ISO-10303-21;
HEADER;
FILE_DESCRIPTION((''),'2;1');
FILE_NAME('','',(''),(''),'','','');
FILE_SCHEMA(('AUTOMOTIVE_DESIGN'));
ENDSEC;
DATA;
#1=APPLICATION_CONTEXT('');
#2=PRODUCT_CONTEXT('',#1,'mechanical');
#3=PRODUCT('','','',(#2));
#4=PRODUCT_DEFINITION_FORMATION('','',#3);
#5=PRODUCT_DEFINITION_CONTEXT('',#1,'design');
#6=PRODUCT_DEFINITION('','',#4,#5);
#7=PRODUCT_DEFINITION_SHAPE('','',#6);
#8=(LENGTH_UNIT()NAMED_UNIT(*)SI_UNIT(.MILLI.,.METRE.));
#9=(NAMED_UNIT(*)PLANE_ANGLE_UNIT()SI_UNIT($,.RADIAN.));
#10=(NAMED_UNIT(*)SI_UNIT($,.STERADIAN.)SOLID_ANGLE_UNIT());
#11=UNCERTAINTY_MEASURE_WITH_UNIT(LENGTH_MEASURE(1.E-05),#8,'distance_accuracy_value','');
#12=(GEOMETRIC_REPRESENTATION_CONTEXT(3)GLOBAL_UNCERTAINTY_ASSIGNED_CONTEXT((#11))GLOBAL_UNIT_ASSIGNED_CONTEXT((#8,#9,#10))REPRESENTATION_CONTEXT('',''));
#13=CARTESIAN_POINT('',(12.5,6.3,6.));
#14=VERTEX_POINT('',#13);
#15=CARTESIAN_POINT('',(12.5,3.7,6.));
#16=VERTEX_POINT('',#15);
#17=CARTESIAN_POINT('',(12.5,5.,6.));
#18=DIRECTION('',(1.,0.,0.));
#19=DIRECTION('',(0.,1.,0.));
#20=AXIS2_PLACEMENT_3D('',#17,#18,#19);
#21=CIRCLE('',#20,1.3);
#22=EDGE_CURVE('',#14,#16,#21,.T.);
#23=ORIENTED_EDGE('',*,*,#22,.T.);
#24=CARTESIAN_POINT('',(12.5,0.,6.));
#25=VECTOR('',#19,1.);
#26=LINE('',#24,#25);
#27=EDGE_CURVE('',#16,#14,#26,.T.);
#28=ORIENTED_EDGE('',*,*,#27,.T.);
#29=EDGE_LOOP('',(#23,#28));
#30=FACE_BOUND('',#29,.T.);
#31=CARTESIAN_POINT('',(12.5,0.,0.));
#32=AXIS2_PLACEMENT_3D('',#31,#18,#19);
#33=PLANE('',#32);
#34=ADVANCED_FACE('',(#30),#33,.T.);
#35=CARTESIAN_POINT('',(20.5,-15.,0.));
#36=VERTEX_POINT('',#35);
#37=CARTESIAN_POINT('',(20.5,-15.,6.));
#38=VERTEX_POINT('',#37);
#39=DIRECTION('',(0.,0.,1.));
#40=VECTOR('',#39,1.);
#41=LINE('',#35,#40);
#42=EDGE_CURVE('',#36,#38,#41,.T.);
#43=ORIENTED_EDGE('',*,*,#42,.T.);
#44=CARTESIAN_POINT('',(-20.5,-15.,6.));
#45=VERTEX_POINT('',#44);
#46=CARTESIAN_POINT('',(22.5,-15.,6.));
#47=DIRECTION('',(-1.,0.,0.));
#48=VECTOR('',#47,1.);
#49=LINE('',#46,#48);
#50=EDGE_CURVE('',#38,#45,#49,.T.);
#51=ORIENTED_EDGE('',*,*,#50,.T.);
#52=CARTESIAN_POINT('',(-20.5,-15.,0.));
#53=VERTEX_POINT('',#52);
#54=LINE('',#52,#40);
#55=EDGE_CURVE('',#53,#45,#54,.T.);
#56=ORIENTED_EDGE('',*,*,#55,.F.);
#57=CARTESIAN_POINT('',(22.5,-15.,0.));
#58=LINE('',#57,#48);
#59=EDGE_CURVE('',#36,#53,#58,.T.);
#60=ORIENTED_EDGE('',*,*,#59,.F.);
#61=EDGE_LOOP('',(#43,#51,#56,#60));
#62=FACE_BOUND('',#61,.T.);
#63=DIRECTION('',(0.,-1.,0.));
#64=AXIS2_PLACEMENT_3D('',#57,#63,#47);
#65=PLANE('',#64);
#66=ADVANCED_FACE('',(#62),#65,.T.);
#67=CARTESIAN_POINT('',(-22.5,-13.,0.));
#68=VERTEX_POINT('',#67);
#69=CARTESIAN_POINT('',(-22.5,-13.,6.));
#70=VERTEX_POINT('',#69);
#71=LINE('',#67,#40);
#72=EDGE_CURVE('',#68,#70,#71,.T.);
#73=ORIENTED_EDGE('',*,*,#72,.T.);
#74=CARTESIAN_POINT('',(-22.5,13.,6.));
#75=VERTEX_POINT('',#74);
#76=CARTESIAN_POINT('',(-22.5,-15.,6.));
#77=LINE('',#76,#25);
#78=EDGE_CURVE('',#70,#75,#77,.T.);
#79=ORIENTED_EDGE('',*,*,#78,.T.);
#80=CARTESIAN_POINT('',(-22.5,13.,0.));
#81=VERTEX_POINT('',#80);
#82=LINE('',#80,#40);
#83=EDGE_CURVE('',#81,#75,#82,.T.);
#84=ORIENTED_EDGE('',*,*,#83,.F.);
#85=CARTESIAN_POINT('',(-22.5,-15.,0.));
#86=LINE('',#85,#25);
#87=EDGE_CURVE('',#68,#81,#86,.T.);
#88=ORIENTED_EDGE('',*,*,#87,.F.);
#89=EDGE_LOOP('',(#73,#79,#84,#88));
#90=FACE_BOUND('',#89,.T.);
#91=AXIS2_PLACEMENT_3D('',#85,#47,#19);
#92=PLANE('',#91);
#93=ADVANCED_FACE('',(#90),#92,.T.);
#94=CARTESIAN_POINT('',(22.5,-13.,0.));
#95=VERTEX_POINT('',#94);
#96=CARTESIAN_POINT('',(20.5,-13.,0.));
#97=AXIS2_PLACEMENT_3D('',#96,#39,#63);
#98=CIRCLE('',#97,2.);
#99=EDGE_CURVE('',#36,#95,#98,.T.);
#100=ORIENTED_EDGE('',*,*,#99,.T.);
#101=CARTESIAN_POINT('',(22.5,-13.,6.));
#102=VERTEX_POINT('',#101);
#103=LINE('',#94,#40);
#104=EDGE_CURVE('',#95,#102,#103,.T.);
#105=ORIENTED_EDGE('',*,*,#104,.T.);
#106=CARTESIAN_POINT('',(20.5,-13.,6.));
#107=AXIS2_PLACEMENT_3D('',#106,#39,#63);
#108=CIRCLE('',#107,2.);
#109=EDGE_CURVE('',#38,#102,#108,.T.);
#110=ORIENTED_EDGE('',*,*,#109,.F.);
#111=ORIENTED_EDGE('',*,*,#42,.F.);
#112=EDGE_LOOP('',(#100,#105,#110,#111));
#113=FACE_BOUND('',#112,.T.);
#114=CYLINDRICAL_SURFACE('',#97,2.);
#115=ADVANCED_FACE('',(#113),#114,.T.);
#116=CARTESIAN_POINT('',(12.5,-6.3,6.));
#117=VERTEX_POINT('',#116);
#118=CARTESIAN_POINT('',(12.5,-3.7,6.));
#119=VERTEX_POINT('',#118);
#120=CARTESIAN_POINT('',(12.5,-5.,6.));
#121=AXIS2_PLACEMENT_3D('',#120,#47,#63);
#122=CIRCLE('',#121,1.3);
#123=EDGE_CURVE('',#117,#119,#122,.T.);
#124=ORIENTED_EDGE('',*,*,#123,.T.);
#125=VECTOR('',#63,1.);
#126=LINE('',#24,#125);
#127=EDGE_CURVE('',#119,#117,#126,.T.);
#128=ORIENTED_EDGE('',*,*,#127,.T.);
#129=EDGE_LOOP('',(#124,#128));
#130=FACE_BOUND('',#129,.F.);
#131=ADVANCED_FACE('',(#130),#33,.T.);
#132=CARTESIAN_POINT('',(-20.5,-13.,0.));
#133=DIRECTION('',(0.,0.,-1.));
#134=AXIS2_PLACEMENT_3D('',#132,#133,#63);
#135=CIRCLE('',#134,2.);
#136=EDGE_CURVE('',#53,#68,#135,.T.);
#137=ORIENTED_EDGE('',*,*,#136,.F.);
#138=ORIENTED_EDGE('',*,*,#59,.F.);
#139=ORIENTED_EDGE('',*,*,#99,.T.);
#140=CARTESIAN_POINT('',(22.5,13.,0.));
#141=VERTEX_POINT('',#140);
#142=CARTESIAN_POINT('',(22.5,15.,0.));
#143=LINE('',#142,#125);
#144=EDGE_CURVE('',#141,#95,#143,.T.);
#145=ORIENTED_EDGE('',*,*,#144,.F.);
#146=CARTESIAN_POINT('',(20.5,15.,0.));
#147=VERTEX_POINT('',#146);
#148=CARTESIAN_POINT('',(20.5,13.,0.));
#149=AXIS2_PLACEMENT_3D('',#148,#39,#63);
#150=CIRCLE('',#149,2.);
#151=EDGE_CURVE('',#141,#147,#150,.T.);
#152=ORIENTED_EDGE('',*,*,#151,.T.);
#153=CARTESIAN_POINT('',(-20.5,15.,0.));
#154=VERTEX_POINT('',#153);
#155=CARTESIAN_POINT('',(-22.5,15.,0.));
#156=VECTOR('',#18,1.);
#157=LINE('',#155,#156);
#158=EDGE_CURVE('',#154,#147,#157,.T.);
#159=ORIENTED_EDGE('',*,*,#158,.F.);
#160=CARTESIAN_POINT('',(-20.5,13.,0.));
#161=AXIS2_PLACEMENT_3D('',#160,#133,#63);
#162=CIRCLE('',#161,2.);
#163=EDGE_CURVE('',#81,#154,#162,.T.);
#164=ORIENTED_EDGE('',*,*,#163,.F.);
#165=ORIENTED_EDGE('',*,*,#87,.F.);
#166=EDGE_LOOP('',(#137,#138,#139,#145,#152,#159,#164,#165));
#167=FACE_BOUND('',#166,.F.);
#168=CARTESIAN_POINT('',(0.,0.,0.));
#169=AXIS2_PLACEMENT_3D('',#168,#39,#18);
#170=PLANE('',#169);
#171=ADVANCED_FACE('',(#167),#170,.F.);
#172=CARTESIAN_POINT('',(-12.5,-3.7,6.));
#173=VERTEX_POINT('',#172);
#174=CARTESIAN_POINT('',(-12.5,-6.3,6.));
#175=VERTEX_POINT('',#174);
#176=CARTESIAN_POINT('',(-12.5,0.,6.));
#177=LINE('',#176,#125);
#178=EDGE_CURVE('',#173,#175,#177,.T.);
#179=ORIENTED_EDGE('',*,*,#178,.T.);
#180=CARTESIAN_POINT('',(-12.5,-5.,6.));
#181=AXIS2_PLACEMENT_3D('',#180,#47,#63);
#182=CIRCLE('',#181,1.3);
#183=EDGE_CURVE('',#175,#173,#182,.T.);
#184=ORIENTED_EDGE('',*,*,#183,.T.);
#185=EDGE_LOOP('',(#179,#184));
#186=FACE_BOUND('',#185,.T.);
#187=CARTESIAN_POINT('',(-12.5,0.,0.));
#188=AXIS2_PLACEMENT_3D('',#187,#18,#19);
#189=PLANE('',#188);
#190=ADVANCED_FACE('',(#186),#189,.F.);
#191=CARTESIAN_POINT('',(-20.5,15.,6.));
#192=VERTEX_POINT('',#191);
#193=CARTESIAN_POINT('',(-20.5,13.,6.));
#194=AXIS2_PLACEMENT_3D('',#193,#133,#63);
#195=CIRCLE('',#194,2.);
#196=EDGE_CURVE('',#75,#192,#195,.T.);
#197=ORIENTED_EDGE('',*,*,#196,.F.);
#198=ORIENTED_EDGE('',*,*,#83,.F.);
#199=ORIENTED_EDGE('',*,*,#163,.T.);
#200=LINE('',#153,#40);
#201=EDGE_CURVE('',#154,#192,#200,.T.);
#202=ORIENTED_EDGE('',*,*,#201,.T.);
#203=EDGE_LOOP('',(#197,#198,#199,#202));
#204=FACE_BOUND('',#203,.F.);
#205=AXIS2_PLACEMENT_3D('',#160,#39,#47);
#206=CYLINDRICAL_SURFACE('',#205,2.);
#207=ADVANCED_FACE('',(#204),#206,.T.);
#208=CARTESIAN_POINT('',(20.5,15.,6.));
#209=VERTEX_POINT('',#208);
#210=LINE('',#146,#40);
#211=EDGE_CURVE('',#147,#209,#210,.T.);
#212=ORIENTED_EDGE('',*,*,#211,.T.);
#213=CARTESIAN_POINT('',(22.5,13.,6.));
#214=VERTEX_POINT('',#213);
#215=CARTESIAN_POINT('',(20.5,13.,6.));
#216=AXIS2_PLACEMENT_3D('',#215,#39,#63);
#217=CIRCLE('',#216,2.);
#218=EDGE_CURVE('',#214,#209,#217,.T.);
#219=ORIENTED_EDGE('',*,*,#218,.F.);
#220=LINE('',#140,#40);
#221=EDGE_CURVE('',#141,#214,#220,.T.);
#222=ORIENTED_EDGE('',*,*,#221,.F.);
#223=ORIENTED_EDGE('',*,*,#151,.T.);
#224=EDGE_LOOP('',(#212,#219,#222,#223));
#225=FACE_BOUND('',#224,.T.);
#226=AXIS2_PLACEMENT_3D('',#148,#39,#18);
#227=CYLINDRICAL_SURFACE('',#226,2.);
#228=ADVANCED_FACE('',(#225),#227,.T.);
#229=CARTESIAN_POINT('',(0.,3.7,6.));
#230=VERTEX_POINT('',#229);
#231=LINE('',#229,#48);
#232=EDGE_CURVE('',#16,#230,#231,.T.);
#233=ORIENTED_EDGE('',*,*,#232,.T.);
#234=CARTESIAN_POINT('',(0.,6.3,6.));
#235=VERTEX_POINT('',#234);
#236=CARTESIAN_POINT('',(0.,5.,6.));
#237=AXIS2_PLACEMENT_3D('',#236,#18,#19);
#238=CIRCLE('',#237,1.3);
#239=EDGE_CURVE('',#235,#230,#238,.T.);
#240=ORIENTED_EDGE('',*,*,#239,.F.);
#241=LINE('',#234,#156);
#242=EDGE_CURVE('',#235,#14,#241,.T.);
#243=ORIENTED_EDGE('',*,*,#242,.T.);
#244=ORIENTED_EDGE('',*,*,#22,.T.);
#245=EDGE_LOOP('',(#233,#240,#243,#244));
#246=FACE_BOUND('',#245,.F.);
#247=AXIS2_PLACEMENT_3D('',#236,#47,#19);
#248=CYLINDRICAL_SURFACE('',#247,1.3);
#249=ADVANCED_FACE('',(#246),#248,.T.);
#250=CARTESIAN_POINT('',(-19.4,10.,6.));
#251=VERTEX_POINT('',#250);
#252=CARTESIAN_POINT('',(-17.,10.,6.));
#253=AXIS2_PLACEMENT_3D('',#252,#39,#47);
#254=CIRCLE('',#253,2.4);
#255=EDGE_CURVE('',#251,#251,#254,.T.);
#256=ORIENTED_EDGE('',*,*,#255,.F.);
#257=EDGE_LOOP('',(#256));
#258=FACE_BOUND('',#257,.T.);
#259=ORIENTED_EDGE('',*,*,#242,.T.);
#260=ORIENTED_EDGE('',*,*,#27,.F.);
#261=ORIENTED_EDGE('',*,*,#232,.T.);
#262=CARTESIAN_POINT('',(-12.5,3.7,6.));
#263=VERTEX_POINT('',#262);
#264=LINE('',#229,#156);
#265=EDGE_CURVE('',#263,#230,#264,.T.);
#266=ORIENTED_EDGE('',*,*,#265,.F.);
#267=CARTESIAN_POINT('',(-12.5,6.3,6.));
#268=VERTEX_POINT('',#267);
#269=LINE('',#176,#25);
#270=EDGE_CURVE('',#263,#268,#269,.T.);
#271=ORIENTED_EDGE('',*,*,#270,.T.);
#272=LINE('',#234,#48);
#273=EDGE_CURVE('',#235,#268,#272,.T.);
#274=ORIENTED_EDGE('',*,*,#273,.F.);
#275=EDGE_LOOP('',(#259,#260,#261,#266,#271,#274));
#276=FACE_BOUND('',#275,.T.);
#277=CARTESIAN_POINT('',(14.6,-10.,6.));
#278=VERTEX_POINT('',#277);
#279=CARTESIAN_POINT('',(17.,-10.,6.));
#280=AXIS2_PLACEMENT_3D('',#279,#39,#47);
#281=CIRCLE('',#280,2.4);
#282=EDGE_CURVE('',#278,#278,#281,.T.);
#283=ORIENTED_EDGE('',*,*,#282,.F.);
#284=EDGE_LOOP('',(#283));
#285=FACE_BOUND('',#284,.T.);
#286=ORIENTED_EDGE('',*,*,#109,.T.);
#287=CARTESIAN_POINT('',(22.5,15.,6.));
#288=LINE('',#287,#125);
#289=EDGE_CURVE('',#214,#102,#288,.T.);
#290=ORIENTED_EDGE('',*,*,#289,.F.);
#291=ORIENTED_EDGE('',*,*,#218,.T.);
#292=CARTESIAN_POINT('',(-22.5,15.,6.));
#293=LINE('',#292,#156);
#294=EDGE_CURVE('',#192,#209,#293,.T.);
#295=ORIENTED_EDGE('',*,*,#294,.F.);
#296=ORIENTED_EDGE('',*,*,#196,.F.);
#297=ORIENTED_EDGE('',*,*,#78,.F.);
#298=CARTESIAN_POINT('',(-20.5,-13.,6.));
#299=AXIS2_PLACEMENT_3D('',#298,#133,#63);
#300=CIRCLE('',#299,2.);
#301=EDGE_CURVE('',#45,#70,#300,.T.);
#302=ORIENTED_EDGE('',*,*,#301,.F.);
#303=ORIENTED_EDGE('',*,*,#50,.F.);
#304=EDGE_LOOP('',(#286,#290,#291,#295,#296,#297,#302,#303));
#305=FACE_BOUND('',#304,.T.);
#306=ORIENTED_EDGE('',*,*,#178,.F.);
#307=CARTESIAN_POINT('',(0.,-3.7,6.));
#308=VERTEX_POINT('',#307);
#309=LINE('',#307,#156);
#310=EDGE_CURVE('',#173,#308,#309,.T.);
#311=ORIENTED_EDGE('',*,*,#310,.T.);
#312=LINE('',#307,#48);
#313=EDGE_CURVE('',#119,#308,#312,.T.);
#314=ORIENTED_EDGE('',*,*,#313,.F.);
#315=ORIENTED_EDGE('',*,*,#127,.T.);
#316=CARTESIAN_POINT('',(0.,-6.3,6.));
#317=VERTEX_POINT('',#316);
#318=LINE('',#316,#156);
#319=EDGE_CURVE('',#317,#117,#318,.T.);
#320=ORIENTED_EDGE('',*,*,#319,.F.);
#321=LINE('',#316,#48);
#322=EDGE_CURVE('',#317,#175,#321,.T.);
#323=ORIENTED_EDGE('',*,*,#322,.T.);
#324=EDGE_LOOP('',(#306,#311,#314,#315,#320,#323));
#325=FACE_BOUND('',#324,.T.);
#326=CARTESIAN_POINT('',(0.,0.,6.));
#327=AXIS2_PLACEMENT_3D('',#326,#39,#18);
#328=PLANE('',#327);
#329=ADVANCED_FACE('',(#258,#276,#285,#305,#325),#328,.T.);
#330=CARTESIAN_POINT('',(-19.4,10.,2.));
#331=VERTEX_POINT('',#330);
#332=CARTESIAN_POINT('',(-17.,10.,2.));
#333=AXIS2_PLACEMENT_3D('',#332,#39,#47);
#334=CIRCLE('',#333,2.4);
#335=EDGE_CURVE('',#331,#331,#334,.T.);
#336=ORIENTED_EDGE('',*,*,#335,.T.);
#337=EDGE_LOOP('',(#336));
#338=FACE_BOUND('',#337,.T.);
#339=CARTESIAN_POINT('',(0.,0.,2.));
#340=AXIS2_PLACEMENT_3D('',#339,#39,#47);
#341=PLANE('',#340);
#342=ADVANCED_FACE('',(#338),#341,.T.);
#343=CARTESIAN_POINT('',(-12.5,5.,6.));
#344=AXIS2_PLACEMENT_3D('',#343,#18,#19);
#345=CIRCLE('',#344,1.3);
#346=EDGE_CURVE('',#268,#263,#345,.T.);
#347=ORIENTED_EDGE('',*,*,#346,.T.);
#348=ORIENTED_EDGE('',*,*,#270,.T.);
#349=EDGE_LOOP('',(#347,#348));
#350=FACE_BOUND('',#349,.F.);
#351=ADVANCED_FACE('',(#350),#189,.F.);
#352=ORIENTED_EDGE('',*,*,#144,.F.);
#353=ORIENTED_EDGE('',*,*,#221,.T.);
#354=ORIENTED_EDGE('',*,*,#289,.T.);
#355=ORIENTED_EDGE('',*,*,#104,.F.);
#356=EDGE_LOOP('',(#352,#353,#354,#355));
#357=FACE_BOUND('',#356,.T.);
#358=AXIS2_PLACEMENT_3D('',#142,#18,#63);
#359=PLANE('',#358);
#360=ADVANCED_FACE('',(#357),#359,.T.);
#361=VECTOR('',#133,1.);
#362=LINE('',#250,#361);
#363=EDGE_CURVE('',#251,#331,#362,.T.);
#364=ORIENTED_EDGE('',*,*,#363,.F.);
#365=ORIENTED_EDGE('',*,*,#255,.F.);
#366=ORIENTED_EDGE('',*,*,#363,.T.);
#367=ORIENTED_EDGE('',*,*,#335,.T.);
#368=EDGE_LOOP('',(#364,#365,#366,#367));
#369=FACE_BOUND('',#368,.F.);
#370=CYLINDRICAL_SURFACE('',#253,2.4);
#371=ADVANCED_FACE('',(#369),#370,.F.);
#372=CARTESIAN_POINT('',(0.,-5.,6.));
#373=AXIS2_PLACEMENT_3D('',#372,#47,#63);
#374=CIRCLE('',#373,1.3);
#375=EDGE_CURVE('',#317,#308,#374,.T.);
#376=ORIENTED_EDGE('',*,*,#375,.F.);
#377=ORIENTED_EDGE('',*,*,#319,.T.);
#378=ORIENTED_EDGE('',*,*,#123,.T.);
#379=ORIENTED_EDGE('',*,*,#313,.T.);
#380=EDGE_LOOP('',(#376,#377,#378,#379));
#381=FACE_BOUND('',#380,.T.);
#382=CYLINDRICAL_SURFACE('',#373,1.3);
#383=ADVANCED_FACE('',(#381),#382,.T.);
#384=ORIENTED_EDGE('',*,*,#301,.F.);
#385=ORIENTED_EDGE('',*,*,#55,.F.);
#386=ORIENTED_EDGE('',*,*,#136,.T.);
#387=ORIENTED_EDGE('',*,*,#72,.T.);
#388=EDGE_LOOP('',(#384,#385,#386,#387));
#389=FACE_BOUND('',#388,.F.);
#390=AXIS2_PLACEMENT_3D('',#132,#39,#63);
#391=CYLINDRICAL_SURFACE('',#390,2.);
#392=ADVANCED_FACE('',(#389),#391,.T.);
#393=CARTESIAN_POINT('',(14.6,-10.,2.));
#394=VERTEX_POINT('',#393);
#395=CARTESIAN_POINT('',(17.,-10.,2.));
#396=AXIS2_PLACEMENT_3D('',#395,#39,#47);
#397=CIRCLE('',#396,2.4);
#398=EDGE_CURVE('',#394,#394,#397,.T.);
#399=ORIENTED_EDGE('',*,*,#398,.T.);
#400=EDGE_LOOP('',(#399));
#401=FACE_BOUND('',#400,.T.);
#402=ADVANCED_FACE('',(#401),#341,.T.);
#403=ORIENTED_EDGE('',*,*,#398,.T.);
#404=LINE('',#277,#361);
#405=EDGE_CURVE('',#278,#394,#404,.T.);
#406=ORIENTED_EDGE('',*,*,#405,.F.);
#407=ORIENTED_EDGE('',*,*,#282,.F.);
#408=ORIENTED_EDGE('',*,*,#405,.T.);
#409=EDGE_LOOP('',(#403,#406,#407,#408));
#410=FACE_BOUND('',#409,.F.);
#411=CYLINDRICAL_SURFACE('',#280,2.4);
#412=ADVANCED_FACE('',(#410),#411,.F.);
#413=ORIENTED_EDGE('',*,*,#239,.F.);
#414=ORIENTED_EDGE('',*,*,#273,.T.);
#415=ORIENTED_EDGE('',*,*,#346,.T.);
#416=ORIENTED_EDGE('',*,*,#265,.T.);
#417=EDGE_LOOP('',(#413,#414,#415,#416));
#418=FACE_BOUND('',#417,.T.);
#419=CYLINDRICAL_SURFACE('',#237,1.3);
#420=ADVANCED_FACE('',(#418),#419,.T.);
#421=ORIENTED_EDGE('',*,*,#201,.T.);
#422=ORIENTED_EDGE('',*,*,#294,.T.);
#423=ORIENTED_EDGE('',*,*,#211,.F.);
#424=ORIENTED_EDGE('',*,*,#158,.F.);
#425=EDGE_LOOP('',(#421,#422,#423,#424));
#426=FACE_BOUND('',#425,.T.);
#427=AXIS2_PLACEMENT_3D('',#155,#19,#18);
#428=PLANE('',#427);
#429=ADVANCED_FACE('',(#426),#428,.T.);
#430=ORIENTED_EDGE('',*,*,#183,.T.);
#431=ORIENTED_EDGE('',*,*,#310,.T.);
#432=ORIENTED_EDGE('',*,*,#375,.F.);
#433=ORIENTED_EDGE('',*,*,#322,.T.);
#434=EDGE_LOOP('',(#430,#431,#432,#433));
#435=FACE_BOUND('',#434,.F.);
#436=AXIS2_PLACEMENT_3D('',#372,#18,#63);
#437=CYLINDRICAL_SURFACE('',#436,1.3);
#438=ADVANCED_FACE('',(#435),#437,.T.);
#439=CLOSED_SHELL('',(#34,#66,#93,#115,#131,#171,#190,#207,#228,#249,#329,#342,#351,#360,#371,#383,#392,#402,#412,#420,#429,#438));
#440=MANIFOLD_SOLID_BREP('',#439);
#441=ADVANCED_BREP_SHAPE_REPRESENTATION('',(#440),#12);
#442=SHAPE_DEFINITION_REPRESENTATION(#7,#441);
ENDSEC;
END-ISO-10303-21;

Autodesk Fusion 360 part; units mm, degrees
sketch "草图1" plane through (0, 0, 0) normal (0, 0, 1) x (1, 0, 0)
  line L0 (22.5, -15) -> (-22.5, -15)
  line L1 (-22.5, -15) -> (-22.5, 15)
  line L2 (-22.5, 15) -> (22.5, 15)
  line L3 (22.5, 15) -> (22.5, -15)
  line L4 (22.5, -15) -> (-22.5, 15) construction
  line L5 (-22.5, -15) -> (22.5, 15) construction
  dimension "d27" = 45
  dimension "d28" = 30
extrude "拉伸1" add sketch "草图1" along normal blind 6
sketch "草图2" plane through (0, 0, 0) normal (1, 0, 0) x (0, 1, 0)
sketch "草图3" plane through (0, 0, 0) normal (1, 0, 0) x (0, 1, 0)
  circle A0 centre (5, 6) radius 1.3
  dimension "d31" = 2.6
extrude "拉伸2" add sketch "草图3" along normal blind 12.5 and the other way blind 12.5
mirror "镜像1" about plane through (0, 0, 0) normal (0, 1, 0) of "拉伸2"
sketch "草图4" plane through (0, 0, 6) normal (0, 0, 1) x (-1, 0, 0)
  line L0 (12.5, 6.3) -> (12.5, 3.7)
  line L1 (12.5, 3.7) -> (-12.5, 3.7)
  line L2 (-12.5, 3.7) -> (-12.5, 6.3)
  line L3 (-12.5, 6.3) -> (12.5, 6.3)
  line L4 (12.5, -3.7) -> (12.5, -6.3)
  line L5 (12.5, -6.3) -> (-12.5, -6.3)
  line L6 (-12.5, -6.3) -> (-12.5, -3.7)
  line L7 (-12.5, -3.7) -> (12.5, -3.7)
  line L8 (-22.5, -15) -> (22.5, -15)
  line L9 (22.5, -15) -> (22.5, 15)
  line L10 (22.5, 15) -> (-22.5, 15)
  line L11 (-22.5, 15) -> (-22.5, -15)
fillet "圆角1" radius 2 4 edges at (22.5, 15, 3) (22.5, -15, 3) (-22.5, -15, 3) (-22.5, 15, 3)
sketch "草图5" plane through (0, 0, 6) normal (0, 0, 1) x (-1, 0, 0)
  line L0 (12.5, 6.3) -> (12.5, 3.7)
  line L1 (12.5, 3.7) -> (-12.5, 3.7)
  line L2 (-12.5, 3.7) -> (-12.5, 6.3)
  line L3 (-12.5, 6.3) -> (12.5, 6.3)
  line L4 (12.5, -3.7) -> (12.5, -6.3)
  line L5 (12.5, -6.3) -> (-12.5, -6.3)
  line L6 (-12.5, -6.3) -> (-12.5, -3.7)
  line L7 (-12.5, -3.7) -> (12.5, -3.7)
  arc A0 (20.5, -15) -> (22.5, -13) centre (20.5, -13) ccw
  line L8 (22.5, -13) -> (22.5, 13)
  arc A1 (22.5, 13) -> (20.5, 15) centre (20.5, 13) ccw
  line L9 (20.5, 15) -> (-20.5, 15)
  arc A2 (-20.5, 15) -> (-22.5, 13) centre (-20.5, 13) ccw
  line L10 (-22.5, 13) -> (-22.5, -13)
  arc A3 (-22.5, -13) -> (-20.5, -15) centre (-20.5, -13) ccw
  line L11 (-20.5, -15) -> (20.5, -15)
  circle A4 centre (-17, 10) radius 2.4
  dimension "d44" = 4.8
extrude "拉伸4" cut sketch "草图5" against normal blind 4 contours A4
sketch "草图6" plane through (0, 0, 6) normal (0, 0, 1) x (-1, 0, 0)
  circle A0 centre (-17, 10) radius 2.4
  line L0 (12.5, 6.3) -> (12.5, 3.7)
  line L1 (12.5, 3.7) -> (-12.5, 3.7)
  line L2 (-12.5, 3.7) -> (-12.5, 6.3)
  line L3 (-12.5, 6.3) -> (12.5, 6.3)
  line L4 (12.5, -3.7) -> (12.5, -6.3)
  line L5 (12.5, -6.3) -> (-12.5, -6.3)
  line L6 (-12.5, -6.3) -> (-12.5, -3.7)
  line L7 (-12.5, -3.7) -> (12.5, -3.7)
  arc A1 (20.5, -15) -> (22.5, -13) centre (20.5, -13) ccw
  line L8 (22.5, -13) -> (22.5, 13)
  arc A2 (22.5, 13) -> (20.5, 15) centre (20.5, 13) ccw
  line L9 (20.5, 15) -> (-20.5, 15)
  arc A3 (-20.5, 15) -> (-22.5, 13) centre (-20.5, 13) ccw
  line L10 (-22.5, 13) -> (-22.5, -13)
  arc A4 (-22.5, -13) -> (-20.5, -15) centre (-20.5, -13) ccw
  line L11 (-20.5, -15) -> (20.5, -15)
  circle A5 centre (17, -10) radius 2.4
  dimension "d47" = 4.8
extrude "拉伸5" cut sketch "草图6" against normal blind 4 contours A5
equation "Catheter_Diameter = 2.4 mm" comment "Flexible spring catheter outer diameter"
equation "Catheter_Assembly_Clearance = 0.2 mm" comment "Initial diametral assembly clearance between catheter and Ecoflex liner"
equation "Clamp_Groove_Diameter = 3.6 mm" comment "Hard clamp circular groove diameter"
equation "Pad_Outer_Diameter = Clamp_Groove_Diameter" comment "Ecoflex liner outer diameter driven by clamp groove"
equation "Pad_Outer_Radius = Pad_Outer_Diameter / 2" comment "Ecoflex liner outer radius"
equation "Pad_Inner_Diameter = Catheter_Diameter + Catheter_Assembly_Clearance" comment "Ecoflex liner inner diameter"
equation "Pad_Inner_Radius = Pad_Inner_Diameter / 2" comment "Ecoflex liner inner radius"
equation "Pad_Radial_Thickness = ( Pad_Outer_Diameter - Pad_Inner_Diameter ) / 2" comment "Nominal radial thickness of Ecoflex liner"
equation "Pad_Length = 25 mm" comment "Effective Ecoflex liner length"
equation "Mold_Length = 45 mm" comment "Overall mold length along X"
equation "Mold_Width = 30 mm" comment "Overall mold width along Y"
equation "Bottom_Mold_Thickness = 8 mm" comment "Bottom mold plate thickness"
equation "Top_Mold_Thickness = 6 mm" comment "Top mold plate thickness"
equation "Top_Mold_Base_Z = Bottom_Mold_Thickness" comment "Assembly Z height of top mold bottom parting face"
equation "Pad_Cavity_Offset_Y = 5 mm" comment "Centerline offset of the two cavities from mold center"
equation "Alignment_Pin_Diameter = 4 mm" comment "Printed alignment pin diameter on bottom mold"
equation "Alignment_Pin_Height = 3 mm" comment "Alignment pin height"
equation "Alignment_Hole_Diameter = 4.4 mm" comment "Alignment blind-hole diameter on top mold"
equation "Alignment_Hole_Depth = 3.4 mm" comment "Alignment blind-hole depth"
equation "Alignment_Pin_Offset_X = 17 mm" comment "Absolute X coordinate magnitude of alignment pins"
equation "Alignment_Pin_Offset_Y = 10 mm" comment "Absolute Y coordinate magnitude of alignment pins"
equation "Overflow_Channel_Width = 1 mm" comment "Optional V1 overflow-channel width; retained but not used in recommended V1"
equation "Overflow_Channel_Depth = 0.4 mm" comment "Optional V1 overflow-channel depth; retained but not used in recommended V1"
equation "Overflow_Well_Diameter = 6 mm" comment "Optional overflow-well diameter; retained but not used in recommended V1"
equation "Overflow_Well_Depth = 1 mm" comment "Optional overflow-well depth; retained but not used in recommended V1"
equation "Mold_Outer_Fillet = 2 mm" comment "External handling-edge fillet radius"
equation "d27 = Mold_Length"
equation "d28 = Mold_Width"
equation "d29 = Top_Mold_Thickness"
equation "d31 = Pad_Inner_Diameter"
equation "d32 = Pad_Length / 2"
equation "d34 = Pad_Length / 2"
equation "d43 = Mold_Outer_Fillet"
